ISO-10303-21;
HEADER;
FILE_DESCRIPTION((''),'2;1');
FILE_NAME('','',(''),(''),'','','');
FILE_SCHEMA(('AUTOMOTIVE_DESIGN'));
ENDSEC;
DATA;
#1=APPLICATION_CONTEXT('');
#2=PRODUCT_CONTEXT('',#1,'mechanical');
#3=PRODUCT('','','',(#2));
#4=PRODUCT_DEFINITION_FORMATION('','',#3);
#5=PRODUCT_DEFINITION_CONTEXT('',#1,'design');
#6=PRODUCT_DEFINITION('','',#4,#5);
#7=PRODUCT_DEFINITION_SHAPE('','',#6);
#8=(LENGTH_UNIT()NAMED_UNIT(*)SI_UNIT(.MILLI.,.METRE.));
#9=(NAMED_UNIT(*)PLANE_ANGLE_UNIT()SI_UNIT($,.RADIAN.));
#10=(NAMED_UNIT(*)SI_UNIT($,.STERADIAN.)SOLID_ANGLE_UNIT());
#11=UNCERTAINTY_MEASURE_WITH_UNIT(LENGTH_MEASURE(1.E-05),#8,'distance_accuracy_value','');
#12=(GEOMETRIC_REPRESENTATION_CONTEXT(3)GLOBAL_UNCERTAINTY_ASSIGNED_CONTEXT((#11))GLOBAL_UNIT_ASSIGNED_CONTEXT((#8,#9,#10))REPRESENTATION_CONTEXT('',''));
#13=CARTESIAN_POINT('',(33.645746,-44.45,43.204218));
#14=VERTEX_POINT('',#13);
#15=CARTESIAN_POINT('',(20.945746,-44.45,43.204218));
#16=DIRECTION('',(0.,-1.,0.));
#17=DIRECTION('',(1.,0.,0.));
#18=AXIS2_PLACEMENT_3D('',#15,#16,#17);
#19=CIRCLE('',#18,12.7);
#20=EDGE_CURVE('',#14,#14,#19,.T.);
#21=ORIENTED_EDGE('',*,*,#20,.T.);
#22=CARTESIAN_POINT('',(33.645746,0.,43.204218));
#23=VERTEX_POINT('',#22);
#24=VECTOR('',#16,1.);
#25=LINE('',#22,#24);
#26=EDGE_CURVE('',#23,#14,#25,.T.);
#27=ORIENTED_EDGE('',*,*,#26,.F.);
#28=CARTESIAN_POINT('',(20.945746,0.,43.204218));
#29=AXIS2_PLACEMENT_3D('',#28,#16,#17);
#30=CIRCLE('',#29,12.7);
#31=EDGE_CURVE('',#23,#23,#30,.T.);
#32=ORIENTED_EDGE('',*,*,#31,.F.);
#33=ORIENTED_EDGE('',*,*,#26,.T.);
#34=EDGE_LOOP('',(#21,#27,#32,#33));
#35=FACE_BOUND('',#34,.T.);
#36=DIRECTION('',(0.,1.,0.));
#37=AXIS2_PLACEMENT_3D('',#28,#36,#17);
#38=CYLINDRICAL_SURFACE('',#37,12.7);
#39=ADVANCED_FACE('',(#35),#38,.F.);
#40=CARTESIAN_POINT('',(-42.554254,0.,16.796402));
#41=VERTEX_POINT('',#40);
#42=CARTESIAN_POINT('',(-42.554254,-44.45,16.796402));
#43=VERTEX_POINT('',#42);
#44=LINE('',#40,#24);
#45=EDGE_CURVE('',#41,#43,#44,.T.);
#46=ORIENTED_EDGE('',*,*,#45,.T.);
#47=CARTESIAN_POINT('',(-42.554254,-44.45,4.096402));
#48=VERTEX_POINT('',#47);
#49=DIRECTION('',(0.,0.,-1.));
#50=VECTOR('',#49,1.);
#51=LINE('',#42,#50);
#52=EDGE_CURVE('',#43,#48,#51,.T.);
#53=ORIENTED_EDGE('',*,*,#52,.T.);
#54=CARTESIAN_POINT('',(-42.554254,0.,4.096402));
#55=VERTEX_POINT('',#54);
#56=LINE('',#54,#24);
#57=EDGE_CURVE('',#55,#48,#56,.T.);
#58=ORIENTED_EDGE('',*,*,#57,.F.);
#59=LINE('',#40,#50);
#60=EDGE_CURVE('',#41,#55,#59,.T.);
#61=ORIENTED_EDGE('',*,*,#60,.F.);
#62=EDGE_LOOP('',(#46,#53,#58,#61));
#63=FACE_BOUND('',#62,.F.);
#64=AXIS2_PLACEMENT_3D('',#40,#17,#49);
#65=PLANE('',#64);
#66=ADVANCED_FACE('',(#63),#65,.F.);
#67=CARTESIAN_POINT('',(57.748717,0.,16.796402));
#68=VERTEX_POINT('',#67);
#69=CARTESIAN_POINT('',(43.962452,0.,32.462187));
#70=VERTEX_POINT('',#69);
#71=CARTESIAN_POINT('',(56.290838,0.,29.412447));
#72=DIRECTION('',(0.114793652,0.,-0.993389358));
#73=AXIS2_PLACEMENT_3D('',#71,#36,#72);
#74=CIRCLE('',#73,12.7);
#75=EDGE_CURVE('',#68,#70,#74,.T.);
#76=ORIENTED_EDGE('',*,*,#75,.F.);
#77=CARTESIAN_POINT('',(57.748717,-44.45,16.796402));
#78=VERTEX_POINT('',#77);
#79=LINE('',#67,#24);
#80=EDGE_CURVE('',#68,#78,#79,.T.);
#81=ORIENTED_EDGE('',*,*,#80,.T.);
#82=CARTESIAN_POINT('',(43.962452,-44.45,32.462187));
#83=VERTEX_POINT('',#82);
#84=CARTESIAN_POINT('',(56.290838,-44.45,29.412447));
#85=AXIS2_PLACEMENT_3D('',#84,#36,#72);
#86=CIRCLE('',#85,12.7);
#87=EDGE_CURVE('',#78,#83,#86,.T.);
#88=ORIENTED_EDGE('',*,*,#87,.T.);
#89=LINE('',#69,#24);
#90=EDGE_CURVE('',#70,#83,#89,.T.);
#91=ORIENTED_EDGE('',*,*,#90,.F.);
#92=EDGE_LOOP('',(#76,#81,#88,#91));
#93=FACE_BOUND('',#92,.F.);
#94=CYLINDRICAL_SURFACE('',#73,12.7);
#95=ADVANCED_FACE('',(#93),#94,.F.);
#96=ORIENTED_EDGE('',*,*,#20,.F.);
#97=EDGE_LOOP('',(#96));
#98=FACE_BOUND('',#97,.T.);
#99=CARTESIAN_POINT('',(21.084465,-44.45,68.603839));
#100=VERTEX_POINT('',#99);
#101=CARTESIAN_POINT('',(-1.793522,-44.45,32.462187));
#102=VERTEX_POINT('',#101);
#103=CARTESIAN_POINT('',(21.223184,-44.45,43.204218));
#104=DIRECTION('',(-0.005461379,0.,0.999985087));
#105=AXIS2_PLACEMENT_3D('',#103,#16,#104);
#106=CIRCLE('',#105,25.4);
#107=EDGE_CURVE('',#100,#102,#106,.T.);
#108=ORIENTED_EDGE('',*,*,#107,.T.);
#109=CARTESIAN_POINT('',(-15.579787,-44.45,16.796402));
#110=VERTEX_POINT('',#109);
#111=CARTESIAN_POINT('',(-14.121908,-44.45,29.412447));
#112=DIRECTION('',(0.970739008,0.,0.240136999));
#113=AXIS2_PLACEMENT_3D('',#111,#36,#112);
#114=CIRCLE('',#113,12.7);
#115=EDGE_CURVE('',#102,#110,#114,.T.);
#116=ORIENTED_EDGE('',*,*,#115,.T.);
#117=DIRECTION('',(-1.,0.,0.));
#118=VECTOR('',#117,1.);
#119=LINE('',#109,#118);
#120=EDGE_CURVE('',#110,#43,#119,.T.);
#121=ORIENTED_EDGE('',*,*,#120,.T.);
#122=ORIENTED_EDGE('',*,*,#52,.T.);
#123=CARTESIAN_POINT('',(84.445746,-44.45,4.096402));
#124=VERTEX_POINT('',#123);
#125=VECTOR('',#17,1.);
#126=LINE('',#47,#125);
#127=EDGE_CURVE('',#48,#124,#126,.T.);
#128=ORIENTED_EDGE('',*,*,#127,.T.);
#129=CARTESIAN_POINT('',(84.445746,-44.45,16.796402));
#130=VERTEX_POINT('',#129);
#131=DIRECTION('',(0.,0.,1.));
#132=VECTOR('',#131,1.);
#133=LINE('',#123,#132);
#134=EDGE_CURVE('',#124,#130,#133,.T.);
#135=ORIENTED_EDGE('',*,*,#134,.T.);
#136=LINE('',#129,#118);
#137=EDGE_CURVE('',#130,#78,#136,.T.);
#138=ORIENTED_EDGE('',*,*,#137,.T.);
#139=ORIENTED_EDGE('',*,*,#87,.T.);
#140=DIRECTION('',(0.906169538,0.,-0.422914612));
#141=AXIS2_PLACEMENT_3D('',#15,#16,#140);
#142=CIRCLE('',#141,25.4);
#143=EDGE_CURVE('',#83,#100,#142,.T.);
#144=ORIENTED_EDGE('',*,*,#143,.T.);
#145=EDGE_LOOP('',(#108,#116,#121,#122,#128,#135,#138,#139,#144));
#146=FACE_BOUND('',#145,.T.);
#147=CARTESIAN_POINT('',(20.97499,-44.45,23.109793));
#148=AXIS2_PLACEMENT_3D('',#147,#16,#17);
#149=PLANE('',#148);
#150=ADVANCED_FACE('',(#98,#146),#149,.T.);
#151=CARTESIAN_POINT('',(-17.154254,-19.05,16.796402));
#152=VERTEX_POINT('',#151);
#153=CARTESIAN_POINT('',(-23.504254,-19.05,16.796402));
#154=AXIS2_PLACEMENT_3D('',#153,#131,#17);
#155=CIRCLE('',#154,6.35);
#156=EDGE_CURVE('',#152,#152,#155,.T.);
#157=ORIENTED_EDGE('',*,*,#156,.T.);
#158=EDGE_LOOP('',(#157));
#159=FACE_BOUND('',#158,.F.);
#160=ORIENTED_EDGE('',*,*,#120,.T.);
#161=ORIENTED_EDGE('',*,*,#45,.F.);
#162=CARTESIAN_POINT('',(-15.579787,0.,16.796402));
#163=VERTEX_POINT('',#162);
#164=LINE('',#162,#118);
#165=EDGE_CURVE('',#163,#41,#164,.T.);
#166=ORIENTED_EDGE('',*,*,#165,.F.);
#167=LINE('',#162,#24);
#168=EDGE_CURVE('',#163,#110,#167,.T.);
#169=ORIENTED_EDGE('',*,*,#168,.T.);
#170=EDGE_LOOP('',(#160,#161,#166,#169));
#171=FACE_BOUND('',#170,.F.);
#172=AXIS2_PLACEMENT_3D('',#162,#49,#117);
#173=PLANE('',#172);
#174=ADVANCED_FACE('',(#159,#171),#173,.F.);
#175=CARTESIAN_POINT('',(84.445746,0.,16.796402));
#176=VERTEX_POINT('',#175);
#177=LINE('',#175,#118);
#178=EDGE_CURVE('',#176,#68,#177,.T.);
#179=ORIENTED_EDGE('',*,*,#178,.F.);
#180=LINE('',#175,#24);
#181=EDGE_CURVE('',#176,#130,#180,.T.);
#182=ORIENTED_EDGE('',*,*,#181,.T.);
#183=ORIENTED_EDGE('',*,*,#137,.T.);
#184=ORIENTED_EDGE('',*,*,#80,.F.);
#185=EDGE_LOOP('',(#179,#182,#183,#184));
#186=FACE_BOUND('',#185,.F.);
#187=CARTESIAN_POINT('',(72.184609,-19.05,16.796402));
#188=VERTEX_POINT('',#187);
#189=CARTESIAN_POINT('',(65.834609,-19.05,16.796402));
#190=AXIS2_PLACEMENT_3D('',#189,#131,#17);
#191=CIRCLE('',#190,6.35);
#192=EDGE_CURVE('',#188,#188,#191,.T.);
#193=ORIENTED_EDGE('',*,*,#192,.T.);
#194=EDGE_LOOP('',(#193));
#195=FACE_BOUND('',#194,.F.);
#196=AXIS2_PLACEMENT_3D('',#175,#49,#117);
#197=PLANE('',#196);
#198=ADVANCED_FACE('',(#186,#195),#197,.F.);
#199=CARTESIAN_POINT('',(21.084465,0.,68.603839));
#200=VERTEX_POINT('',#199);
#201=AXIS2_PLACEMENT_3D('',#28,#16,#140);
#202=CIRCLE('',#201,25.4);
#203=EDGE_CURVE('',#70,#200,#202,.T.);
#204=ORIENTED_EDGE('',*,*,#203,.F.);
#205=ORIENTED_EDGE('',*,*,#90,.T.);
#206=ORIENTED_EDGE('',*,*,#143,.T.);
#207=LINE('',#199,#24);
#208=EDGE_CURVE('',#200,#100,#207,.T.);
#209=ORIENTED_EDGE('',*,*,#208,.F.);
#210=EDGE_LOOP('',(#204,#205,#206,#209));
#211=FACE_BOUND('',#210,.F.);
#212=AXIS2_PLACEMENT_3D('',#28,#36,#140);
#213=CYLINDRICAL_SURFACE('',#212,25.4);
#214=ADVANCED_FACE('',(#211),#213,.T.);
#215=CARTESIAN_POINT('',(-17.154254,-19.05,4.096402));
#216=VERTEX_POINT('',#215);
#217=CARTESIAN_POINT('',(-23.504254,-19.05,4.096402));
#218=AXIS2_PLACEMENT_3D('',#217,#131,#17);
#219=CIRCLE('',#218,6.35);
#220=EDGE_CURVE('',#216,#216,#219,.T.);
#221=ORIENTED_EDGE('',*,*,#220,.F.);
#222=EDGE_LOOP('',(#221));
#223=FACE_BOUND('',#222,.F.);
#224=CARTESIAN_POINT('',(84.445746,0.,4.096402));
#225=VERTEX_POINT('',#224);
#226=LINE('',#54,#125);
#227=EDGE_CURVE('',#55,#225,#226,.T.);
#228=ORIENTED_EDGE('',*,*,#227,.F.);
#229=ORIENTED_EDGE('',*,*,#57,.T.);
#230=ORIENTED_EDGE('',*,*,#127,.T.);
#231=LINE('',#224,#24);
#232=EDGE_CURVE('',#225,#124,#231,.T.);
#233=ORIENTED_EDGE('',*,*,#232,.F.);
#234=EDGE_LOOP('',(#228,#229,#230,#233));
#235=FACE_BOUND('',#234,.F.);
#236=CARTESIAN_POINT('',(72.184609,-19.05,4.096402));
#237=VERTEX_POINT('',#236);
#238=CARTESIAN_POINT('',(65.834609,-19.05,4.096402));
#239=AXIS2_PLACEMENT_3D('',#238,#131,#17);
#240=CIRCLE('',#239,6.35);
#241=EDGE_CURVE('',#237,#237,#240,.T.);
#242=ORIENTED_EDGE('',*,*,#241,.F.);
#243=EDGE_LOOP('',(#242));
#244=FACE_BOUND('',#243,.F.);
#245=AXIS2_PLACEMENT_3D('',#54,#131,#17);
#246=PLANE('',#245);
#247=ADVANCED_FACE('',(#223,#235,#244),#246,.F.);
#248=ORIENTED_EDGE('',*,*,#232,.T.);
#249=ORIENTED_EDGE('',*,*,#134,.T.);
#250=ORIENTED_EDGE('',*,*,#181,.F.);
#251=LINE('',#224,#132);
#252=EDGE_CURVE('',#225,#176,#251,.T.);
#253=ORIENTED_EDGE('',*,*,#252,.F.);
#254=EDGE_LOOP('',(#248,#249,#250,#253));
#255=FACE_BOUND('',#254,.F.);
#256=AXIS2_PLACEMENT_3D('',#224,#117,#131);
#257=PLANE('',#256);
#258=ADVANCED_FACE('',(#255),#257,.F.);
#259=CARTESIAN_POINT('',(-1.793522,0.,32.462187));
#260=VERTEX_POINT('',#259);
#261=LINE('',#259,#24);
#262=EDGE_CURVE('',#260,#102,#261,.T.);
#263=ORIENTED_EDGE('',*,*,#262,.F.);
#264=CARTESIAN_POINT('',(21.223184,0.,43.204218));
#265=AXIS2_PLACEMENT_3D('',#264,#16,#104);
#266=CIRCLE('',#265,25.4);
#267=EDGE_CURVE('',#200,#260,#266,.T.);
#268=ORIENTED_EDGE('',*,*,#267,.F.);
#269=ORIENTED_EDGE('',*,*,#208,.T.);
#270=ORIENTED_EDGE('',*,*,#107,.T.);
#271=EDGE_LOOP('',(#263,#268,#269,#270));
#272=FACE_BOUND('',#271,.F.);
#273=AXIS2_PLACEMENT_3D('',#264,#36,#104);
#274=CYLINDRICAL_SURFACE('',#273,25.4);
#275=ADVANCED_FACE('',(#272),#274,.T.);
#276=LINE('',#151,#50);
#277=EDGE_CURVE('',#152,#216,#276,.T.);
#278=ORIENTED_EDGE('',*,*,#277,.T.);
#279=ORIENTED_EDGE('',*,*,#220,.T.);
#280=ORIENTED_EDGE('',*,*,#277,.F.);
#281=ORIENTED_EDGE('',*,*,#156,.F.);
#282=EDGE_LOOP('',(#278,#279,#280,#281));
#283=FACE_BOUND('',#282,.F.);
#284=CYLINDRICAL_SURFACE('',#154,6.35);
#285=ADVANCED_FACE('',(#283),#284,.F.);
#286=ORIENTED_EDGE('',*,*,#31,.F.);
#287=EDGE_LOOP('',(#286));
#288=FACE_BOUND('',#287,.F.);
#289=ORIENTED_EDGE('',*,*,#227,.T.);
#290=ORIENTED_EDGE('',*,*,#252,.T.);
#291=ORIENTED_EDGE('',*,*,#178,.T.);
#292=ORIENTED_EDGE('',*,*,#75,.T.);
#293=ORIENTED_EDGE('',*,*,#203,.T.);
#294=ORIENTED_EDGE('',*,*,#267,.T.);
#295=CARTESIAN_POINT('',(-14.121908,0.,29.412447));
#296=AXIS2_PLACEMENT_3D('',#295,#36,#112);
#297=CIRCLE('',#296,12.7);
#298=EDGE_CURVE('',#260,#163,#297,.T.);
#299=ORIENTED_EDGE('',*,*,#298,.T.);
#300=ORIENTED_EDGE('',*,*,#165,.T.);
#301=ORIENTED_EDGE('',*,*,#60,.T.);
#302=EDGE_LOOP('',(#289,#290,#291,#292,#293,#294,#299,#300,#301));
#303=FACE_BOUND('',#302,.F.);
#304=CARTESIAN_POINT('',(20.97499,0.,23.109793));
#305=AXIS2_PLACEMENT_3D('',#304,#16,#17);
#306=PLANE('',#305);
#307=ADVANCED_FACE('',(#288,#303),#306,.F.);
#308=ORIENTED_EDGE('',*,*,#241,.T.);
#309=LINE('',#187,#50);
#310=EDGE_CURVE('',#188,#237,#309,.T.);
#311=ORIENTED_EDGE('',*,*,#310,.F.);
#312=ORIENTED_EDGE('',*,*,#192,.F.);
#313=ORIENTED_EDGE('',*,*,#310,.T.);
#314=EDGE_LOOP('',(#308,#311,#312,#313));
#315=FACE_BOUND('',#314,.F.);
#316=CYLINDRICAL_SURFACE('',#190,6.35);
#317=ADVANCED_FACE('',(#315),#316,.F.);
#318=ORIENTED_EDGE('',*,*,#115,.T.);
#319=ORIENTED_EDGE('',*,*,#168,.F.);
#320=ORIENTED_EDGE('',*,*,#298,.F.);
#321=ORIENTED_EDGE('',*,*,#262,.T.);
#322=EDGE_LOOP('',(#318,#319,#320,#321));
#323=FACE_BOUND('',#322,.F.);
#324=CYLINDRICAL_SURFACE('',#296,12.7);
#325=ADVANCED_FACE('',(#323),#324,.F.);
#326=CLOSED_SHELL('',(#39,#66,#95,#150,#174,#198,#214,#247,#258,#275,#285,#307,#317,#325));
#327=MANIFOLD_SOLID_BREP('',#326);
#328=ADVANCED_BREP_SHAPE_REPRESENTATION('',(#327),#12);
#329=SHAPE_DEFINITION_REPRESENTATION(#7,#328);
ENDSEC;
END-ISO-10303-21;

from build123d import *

# Parameters (mm, degrees)
F0_R     = 12.7
F1_DEPTH = 44.45
F2_R     = 6.35
F3_DEPTH = 12.701


with BuildPart() as f1:
    # F0 (on Front) → F1 (new body)
    with BuildSketch(Plane.XZ):
        with BuildLine():
            ThreePointArc((57.748717, 16.796402), (46.756889, 21.022344), (43.962452, 32.462187))
            ThreePointArc((43.962452, 32.462187), (42.407297, 56.789571), (21.084465, 68.603839))
            ThreePointArc((21.084465, 68.603839), (-0.238367, 56.789571), (-1.793522, 32.462187))
            ThreePointArc((-1.793522, 32.462187), (-4.587959, 21.022344), (-15.579787, 16.796402))
            Line((-15.579787, 16.796402), (-42.276816, 16.796402))
            Line((-42.276816, 16.796402), (-42.554254, 16.796402))
            Line((-42.554254, 16.796402), (-42.554254, 4.096402))
            Line((-42.554254, 4.096402), (84.445746, 4.096402))
            Line((84.445746, 4.096402), (84.445746, 16.796402))
            Line((84.445746, 16.796402), (57.748717, 16.796402))
        make_face()
        with Locations((20.945746, 43.204218)):
            Circle(F0_R, mode=Mode.SUBTRACT)
    extrude(amount=F1_DEPTH)

    # F2 (on face) → F3 (cut, through all)
    with BuildSketch(Plane.XY.offset(16.796402)):
        with Locations((65.834609, -19.05)):
            Circle(F2_R)
        with Locations((-23.504254, -19.05)):
            Circle(F2_R)
    extrude(amount=-F3_DEPTH, mode=Mode.SUBTRACT)


solid = f1.part
